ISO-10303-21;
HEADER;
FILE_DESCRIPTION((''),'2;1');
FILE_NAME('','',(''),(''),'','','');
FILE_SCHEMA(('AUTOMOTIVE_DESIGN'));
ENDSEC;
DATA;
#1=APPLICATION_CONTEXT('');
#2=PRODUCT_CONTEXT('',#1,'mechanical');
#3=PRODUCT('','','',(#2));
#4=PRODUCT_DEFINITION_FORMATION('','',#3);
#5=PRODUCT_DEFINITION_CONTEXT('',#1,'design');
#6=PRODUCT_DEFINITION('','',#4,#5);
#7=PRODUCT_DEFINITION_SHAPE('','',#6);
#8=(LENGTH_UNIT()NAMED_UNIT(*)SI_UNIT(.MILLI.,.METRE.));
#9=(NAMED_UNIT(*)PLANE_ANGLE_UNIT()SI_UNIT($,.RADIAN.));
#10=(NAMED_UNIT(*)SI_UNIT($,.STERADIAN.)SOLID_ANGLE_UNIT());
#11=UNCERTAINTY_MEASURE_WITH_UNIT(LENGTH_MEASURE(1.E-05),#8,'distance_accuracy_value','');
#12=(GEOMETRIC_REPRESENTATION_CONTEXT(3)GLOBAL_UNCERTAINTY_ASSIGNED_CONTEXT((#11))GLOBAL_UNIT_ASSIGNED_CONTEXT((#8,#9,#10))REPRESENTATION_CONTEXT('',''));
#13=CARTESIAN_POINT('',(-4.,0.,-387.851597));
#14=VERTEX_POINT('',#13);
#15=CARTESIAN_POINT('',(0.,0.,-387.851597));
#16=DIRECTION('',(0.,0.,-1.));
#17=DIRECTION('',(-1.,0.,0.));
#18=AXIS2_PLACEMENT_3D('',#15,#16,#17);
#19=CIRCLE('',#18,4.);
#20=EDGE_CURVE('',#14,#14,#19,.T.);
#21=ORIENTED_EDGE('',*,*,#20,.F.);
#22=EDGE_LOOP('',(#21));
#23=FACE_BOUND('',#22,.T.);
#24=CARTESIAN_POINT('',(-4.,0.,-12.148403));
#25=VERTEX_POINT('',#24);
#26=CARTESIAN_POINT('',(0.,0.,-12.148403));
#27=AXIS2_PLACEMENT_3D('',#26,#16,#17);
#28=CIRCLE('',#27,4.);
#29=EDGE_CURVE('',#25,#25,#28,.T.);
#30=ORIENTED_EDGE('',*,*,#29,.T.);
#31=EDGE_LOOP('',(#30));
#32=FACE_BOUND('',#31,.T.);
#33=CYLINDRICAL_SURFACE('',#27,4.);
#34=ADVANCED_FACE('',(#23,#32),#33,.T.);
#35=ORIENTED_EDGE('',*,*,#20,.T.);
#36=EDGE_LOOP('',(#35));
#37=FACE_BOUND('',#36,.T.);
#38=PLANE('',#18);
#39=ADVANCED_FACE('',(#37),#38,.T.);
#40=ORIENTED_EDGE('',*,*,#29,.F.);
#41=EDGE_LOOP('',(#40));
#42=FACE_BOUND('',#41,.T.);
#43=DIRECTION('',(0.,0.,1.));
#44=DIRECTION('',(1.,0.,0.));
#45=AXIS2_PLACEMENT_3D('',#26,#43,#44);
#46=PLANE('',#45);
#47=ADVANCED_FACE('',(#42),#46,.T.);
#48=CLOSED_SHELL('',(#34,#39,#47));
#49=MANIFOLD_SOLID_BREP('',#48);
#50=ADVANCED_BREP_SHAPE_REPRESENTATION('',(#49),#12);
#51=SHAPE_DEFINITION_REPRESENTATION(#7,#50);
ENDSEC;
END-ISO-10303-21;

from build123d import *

# Parameters (mm, degrees)
SKETCH2_W = 375.703193978
SKETCH2_H = 4


with BuildPart() as part:
    # Sketch2 → Revolve1 (revolve)
    with BuildSketch(Plane(origin=(0, 0, 0), x_dir=(0, 0, -1), z_dir=(1, 0, 0))):
        with Locations((200, 2)):
            Rectangle(SKETCH2_W, SKETCH2_H)
    revolve(axis=Axis((0, 0, -12.148403011), (0, 0, 1)))


solid = part.part
